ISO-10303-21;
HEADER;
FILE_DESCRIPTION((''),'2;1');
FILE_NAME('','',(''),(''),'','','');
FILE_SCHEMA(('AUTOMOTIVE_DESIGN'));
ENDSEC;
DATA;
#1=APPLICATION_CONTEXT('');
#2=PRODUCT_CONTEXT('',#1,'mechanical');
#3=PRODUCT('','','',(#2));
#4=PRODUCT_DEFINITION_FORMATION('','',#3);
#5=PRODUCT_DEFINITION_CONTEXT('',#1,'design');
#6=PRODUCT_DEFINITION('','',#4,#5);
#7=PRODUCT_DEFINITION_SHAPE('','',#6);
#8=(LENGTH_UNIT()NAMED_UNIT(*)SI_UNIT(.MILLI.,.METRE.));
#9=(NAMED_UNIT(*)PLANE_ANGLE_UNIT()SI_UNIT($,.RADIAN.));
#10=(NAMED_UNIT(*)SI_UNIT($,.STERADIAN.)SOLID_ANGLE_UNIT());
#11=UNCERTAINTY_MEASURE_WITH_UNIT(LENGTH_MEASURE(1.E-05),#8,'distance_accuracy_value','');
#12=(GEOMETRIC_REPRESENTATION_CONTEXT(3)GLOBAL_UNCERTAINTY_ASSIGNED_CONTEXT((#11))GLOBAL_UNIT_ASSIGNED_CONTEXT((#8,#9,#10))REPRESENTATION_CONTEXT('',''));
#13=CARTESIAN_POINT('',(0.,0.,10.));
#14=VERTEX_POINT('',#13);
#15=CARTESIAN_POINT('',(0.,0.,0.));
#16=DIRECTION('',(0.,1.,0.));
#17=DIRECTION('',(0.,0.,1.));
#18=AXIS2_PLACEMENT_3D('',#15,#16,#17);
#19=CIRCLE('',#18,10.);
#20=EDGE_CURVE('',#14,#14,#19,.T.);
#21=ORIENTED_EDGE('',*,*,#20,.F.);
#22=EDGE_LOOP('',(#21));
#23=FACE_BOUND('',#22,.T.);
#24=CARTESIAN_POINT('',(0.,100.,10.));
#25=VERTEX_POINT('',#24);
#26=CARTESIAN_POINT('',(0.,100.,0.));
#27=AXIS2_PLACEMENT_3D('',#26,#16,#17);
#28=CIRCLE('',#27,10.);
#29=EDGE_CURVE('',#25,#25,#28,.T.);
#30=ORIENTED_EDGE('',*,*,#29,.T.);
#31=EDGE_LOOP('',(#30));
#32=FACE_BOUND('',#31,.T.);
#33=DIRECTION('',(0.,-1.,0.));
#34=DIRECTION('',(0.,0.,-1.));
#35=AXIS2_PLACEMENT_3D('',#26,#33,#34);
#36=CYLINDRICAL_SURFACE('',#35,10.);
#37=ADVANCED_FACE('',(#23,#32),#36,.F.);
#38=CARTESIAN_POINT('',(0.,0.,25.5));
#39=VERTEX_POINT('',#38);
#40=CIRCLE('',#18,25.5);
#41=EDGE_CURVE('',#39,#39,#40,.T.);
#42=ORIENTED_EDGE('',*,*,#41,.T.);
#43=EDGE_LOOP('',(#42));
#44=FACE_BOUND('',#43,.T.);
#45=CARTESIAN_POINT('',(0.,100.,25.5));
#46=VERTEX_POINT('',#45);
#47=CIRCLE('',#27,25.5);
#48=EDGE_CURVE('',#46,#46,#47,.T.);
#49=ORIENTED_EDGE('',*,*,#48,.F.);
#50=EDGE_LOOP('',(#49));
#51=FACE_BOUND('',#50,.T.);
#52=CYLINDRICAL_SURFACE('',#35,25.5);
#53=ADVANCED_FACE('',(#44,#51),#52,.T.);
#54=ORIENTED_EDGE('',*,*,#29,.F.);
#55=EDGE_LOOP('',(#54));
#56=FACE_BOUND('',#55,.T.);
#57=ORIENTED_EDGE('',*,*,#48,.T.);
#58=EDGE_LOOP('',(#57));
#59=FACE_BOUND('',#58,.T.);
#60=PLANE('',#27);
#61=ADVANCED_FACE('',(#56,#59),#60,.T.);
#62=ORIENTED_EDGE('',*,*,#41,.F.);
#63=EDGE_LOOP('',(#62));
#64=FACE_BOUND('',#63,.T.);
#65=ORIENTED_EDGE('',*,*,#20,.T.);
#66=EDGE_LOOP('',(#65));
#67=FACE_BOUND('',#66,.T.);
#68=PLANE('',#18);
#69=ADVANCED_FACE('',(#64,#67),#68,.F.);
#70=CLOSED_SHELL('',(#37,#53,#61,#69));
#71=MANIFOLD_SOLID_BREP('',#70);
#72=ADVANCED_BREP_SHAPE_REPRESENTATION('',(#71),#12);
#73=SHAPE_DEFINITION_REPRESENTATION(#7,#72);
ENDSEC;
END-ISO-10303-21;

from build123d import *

# Parameters (mm, degrees)
SKETCH_1_R      = 25.5
SKETCH_1_R_2    = 10
EXTRUDE_1_DEPTH = 100


with BuildPart() as part:
    # 스케치1 → 보스-돌출1 (new body)
    with BuildSketch(Plane(origin=(0, 0, 0), x_dir=(1, 0, 0), z_dir=(0, 1, 0))):
        with Locations(Location((0, 0, 0), (0, 0, 270))):
            Circle(SKETCH_1_R)
        with Locations(Location((0, 0, 0), (0, 0, 270))):
            Circle(SKETCH_1_R_2, mode=Mode.SUBTRACT)
    extrude(amount=EXTRUDE_1_DEPTH)


solid = part.part
